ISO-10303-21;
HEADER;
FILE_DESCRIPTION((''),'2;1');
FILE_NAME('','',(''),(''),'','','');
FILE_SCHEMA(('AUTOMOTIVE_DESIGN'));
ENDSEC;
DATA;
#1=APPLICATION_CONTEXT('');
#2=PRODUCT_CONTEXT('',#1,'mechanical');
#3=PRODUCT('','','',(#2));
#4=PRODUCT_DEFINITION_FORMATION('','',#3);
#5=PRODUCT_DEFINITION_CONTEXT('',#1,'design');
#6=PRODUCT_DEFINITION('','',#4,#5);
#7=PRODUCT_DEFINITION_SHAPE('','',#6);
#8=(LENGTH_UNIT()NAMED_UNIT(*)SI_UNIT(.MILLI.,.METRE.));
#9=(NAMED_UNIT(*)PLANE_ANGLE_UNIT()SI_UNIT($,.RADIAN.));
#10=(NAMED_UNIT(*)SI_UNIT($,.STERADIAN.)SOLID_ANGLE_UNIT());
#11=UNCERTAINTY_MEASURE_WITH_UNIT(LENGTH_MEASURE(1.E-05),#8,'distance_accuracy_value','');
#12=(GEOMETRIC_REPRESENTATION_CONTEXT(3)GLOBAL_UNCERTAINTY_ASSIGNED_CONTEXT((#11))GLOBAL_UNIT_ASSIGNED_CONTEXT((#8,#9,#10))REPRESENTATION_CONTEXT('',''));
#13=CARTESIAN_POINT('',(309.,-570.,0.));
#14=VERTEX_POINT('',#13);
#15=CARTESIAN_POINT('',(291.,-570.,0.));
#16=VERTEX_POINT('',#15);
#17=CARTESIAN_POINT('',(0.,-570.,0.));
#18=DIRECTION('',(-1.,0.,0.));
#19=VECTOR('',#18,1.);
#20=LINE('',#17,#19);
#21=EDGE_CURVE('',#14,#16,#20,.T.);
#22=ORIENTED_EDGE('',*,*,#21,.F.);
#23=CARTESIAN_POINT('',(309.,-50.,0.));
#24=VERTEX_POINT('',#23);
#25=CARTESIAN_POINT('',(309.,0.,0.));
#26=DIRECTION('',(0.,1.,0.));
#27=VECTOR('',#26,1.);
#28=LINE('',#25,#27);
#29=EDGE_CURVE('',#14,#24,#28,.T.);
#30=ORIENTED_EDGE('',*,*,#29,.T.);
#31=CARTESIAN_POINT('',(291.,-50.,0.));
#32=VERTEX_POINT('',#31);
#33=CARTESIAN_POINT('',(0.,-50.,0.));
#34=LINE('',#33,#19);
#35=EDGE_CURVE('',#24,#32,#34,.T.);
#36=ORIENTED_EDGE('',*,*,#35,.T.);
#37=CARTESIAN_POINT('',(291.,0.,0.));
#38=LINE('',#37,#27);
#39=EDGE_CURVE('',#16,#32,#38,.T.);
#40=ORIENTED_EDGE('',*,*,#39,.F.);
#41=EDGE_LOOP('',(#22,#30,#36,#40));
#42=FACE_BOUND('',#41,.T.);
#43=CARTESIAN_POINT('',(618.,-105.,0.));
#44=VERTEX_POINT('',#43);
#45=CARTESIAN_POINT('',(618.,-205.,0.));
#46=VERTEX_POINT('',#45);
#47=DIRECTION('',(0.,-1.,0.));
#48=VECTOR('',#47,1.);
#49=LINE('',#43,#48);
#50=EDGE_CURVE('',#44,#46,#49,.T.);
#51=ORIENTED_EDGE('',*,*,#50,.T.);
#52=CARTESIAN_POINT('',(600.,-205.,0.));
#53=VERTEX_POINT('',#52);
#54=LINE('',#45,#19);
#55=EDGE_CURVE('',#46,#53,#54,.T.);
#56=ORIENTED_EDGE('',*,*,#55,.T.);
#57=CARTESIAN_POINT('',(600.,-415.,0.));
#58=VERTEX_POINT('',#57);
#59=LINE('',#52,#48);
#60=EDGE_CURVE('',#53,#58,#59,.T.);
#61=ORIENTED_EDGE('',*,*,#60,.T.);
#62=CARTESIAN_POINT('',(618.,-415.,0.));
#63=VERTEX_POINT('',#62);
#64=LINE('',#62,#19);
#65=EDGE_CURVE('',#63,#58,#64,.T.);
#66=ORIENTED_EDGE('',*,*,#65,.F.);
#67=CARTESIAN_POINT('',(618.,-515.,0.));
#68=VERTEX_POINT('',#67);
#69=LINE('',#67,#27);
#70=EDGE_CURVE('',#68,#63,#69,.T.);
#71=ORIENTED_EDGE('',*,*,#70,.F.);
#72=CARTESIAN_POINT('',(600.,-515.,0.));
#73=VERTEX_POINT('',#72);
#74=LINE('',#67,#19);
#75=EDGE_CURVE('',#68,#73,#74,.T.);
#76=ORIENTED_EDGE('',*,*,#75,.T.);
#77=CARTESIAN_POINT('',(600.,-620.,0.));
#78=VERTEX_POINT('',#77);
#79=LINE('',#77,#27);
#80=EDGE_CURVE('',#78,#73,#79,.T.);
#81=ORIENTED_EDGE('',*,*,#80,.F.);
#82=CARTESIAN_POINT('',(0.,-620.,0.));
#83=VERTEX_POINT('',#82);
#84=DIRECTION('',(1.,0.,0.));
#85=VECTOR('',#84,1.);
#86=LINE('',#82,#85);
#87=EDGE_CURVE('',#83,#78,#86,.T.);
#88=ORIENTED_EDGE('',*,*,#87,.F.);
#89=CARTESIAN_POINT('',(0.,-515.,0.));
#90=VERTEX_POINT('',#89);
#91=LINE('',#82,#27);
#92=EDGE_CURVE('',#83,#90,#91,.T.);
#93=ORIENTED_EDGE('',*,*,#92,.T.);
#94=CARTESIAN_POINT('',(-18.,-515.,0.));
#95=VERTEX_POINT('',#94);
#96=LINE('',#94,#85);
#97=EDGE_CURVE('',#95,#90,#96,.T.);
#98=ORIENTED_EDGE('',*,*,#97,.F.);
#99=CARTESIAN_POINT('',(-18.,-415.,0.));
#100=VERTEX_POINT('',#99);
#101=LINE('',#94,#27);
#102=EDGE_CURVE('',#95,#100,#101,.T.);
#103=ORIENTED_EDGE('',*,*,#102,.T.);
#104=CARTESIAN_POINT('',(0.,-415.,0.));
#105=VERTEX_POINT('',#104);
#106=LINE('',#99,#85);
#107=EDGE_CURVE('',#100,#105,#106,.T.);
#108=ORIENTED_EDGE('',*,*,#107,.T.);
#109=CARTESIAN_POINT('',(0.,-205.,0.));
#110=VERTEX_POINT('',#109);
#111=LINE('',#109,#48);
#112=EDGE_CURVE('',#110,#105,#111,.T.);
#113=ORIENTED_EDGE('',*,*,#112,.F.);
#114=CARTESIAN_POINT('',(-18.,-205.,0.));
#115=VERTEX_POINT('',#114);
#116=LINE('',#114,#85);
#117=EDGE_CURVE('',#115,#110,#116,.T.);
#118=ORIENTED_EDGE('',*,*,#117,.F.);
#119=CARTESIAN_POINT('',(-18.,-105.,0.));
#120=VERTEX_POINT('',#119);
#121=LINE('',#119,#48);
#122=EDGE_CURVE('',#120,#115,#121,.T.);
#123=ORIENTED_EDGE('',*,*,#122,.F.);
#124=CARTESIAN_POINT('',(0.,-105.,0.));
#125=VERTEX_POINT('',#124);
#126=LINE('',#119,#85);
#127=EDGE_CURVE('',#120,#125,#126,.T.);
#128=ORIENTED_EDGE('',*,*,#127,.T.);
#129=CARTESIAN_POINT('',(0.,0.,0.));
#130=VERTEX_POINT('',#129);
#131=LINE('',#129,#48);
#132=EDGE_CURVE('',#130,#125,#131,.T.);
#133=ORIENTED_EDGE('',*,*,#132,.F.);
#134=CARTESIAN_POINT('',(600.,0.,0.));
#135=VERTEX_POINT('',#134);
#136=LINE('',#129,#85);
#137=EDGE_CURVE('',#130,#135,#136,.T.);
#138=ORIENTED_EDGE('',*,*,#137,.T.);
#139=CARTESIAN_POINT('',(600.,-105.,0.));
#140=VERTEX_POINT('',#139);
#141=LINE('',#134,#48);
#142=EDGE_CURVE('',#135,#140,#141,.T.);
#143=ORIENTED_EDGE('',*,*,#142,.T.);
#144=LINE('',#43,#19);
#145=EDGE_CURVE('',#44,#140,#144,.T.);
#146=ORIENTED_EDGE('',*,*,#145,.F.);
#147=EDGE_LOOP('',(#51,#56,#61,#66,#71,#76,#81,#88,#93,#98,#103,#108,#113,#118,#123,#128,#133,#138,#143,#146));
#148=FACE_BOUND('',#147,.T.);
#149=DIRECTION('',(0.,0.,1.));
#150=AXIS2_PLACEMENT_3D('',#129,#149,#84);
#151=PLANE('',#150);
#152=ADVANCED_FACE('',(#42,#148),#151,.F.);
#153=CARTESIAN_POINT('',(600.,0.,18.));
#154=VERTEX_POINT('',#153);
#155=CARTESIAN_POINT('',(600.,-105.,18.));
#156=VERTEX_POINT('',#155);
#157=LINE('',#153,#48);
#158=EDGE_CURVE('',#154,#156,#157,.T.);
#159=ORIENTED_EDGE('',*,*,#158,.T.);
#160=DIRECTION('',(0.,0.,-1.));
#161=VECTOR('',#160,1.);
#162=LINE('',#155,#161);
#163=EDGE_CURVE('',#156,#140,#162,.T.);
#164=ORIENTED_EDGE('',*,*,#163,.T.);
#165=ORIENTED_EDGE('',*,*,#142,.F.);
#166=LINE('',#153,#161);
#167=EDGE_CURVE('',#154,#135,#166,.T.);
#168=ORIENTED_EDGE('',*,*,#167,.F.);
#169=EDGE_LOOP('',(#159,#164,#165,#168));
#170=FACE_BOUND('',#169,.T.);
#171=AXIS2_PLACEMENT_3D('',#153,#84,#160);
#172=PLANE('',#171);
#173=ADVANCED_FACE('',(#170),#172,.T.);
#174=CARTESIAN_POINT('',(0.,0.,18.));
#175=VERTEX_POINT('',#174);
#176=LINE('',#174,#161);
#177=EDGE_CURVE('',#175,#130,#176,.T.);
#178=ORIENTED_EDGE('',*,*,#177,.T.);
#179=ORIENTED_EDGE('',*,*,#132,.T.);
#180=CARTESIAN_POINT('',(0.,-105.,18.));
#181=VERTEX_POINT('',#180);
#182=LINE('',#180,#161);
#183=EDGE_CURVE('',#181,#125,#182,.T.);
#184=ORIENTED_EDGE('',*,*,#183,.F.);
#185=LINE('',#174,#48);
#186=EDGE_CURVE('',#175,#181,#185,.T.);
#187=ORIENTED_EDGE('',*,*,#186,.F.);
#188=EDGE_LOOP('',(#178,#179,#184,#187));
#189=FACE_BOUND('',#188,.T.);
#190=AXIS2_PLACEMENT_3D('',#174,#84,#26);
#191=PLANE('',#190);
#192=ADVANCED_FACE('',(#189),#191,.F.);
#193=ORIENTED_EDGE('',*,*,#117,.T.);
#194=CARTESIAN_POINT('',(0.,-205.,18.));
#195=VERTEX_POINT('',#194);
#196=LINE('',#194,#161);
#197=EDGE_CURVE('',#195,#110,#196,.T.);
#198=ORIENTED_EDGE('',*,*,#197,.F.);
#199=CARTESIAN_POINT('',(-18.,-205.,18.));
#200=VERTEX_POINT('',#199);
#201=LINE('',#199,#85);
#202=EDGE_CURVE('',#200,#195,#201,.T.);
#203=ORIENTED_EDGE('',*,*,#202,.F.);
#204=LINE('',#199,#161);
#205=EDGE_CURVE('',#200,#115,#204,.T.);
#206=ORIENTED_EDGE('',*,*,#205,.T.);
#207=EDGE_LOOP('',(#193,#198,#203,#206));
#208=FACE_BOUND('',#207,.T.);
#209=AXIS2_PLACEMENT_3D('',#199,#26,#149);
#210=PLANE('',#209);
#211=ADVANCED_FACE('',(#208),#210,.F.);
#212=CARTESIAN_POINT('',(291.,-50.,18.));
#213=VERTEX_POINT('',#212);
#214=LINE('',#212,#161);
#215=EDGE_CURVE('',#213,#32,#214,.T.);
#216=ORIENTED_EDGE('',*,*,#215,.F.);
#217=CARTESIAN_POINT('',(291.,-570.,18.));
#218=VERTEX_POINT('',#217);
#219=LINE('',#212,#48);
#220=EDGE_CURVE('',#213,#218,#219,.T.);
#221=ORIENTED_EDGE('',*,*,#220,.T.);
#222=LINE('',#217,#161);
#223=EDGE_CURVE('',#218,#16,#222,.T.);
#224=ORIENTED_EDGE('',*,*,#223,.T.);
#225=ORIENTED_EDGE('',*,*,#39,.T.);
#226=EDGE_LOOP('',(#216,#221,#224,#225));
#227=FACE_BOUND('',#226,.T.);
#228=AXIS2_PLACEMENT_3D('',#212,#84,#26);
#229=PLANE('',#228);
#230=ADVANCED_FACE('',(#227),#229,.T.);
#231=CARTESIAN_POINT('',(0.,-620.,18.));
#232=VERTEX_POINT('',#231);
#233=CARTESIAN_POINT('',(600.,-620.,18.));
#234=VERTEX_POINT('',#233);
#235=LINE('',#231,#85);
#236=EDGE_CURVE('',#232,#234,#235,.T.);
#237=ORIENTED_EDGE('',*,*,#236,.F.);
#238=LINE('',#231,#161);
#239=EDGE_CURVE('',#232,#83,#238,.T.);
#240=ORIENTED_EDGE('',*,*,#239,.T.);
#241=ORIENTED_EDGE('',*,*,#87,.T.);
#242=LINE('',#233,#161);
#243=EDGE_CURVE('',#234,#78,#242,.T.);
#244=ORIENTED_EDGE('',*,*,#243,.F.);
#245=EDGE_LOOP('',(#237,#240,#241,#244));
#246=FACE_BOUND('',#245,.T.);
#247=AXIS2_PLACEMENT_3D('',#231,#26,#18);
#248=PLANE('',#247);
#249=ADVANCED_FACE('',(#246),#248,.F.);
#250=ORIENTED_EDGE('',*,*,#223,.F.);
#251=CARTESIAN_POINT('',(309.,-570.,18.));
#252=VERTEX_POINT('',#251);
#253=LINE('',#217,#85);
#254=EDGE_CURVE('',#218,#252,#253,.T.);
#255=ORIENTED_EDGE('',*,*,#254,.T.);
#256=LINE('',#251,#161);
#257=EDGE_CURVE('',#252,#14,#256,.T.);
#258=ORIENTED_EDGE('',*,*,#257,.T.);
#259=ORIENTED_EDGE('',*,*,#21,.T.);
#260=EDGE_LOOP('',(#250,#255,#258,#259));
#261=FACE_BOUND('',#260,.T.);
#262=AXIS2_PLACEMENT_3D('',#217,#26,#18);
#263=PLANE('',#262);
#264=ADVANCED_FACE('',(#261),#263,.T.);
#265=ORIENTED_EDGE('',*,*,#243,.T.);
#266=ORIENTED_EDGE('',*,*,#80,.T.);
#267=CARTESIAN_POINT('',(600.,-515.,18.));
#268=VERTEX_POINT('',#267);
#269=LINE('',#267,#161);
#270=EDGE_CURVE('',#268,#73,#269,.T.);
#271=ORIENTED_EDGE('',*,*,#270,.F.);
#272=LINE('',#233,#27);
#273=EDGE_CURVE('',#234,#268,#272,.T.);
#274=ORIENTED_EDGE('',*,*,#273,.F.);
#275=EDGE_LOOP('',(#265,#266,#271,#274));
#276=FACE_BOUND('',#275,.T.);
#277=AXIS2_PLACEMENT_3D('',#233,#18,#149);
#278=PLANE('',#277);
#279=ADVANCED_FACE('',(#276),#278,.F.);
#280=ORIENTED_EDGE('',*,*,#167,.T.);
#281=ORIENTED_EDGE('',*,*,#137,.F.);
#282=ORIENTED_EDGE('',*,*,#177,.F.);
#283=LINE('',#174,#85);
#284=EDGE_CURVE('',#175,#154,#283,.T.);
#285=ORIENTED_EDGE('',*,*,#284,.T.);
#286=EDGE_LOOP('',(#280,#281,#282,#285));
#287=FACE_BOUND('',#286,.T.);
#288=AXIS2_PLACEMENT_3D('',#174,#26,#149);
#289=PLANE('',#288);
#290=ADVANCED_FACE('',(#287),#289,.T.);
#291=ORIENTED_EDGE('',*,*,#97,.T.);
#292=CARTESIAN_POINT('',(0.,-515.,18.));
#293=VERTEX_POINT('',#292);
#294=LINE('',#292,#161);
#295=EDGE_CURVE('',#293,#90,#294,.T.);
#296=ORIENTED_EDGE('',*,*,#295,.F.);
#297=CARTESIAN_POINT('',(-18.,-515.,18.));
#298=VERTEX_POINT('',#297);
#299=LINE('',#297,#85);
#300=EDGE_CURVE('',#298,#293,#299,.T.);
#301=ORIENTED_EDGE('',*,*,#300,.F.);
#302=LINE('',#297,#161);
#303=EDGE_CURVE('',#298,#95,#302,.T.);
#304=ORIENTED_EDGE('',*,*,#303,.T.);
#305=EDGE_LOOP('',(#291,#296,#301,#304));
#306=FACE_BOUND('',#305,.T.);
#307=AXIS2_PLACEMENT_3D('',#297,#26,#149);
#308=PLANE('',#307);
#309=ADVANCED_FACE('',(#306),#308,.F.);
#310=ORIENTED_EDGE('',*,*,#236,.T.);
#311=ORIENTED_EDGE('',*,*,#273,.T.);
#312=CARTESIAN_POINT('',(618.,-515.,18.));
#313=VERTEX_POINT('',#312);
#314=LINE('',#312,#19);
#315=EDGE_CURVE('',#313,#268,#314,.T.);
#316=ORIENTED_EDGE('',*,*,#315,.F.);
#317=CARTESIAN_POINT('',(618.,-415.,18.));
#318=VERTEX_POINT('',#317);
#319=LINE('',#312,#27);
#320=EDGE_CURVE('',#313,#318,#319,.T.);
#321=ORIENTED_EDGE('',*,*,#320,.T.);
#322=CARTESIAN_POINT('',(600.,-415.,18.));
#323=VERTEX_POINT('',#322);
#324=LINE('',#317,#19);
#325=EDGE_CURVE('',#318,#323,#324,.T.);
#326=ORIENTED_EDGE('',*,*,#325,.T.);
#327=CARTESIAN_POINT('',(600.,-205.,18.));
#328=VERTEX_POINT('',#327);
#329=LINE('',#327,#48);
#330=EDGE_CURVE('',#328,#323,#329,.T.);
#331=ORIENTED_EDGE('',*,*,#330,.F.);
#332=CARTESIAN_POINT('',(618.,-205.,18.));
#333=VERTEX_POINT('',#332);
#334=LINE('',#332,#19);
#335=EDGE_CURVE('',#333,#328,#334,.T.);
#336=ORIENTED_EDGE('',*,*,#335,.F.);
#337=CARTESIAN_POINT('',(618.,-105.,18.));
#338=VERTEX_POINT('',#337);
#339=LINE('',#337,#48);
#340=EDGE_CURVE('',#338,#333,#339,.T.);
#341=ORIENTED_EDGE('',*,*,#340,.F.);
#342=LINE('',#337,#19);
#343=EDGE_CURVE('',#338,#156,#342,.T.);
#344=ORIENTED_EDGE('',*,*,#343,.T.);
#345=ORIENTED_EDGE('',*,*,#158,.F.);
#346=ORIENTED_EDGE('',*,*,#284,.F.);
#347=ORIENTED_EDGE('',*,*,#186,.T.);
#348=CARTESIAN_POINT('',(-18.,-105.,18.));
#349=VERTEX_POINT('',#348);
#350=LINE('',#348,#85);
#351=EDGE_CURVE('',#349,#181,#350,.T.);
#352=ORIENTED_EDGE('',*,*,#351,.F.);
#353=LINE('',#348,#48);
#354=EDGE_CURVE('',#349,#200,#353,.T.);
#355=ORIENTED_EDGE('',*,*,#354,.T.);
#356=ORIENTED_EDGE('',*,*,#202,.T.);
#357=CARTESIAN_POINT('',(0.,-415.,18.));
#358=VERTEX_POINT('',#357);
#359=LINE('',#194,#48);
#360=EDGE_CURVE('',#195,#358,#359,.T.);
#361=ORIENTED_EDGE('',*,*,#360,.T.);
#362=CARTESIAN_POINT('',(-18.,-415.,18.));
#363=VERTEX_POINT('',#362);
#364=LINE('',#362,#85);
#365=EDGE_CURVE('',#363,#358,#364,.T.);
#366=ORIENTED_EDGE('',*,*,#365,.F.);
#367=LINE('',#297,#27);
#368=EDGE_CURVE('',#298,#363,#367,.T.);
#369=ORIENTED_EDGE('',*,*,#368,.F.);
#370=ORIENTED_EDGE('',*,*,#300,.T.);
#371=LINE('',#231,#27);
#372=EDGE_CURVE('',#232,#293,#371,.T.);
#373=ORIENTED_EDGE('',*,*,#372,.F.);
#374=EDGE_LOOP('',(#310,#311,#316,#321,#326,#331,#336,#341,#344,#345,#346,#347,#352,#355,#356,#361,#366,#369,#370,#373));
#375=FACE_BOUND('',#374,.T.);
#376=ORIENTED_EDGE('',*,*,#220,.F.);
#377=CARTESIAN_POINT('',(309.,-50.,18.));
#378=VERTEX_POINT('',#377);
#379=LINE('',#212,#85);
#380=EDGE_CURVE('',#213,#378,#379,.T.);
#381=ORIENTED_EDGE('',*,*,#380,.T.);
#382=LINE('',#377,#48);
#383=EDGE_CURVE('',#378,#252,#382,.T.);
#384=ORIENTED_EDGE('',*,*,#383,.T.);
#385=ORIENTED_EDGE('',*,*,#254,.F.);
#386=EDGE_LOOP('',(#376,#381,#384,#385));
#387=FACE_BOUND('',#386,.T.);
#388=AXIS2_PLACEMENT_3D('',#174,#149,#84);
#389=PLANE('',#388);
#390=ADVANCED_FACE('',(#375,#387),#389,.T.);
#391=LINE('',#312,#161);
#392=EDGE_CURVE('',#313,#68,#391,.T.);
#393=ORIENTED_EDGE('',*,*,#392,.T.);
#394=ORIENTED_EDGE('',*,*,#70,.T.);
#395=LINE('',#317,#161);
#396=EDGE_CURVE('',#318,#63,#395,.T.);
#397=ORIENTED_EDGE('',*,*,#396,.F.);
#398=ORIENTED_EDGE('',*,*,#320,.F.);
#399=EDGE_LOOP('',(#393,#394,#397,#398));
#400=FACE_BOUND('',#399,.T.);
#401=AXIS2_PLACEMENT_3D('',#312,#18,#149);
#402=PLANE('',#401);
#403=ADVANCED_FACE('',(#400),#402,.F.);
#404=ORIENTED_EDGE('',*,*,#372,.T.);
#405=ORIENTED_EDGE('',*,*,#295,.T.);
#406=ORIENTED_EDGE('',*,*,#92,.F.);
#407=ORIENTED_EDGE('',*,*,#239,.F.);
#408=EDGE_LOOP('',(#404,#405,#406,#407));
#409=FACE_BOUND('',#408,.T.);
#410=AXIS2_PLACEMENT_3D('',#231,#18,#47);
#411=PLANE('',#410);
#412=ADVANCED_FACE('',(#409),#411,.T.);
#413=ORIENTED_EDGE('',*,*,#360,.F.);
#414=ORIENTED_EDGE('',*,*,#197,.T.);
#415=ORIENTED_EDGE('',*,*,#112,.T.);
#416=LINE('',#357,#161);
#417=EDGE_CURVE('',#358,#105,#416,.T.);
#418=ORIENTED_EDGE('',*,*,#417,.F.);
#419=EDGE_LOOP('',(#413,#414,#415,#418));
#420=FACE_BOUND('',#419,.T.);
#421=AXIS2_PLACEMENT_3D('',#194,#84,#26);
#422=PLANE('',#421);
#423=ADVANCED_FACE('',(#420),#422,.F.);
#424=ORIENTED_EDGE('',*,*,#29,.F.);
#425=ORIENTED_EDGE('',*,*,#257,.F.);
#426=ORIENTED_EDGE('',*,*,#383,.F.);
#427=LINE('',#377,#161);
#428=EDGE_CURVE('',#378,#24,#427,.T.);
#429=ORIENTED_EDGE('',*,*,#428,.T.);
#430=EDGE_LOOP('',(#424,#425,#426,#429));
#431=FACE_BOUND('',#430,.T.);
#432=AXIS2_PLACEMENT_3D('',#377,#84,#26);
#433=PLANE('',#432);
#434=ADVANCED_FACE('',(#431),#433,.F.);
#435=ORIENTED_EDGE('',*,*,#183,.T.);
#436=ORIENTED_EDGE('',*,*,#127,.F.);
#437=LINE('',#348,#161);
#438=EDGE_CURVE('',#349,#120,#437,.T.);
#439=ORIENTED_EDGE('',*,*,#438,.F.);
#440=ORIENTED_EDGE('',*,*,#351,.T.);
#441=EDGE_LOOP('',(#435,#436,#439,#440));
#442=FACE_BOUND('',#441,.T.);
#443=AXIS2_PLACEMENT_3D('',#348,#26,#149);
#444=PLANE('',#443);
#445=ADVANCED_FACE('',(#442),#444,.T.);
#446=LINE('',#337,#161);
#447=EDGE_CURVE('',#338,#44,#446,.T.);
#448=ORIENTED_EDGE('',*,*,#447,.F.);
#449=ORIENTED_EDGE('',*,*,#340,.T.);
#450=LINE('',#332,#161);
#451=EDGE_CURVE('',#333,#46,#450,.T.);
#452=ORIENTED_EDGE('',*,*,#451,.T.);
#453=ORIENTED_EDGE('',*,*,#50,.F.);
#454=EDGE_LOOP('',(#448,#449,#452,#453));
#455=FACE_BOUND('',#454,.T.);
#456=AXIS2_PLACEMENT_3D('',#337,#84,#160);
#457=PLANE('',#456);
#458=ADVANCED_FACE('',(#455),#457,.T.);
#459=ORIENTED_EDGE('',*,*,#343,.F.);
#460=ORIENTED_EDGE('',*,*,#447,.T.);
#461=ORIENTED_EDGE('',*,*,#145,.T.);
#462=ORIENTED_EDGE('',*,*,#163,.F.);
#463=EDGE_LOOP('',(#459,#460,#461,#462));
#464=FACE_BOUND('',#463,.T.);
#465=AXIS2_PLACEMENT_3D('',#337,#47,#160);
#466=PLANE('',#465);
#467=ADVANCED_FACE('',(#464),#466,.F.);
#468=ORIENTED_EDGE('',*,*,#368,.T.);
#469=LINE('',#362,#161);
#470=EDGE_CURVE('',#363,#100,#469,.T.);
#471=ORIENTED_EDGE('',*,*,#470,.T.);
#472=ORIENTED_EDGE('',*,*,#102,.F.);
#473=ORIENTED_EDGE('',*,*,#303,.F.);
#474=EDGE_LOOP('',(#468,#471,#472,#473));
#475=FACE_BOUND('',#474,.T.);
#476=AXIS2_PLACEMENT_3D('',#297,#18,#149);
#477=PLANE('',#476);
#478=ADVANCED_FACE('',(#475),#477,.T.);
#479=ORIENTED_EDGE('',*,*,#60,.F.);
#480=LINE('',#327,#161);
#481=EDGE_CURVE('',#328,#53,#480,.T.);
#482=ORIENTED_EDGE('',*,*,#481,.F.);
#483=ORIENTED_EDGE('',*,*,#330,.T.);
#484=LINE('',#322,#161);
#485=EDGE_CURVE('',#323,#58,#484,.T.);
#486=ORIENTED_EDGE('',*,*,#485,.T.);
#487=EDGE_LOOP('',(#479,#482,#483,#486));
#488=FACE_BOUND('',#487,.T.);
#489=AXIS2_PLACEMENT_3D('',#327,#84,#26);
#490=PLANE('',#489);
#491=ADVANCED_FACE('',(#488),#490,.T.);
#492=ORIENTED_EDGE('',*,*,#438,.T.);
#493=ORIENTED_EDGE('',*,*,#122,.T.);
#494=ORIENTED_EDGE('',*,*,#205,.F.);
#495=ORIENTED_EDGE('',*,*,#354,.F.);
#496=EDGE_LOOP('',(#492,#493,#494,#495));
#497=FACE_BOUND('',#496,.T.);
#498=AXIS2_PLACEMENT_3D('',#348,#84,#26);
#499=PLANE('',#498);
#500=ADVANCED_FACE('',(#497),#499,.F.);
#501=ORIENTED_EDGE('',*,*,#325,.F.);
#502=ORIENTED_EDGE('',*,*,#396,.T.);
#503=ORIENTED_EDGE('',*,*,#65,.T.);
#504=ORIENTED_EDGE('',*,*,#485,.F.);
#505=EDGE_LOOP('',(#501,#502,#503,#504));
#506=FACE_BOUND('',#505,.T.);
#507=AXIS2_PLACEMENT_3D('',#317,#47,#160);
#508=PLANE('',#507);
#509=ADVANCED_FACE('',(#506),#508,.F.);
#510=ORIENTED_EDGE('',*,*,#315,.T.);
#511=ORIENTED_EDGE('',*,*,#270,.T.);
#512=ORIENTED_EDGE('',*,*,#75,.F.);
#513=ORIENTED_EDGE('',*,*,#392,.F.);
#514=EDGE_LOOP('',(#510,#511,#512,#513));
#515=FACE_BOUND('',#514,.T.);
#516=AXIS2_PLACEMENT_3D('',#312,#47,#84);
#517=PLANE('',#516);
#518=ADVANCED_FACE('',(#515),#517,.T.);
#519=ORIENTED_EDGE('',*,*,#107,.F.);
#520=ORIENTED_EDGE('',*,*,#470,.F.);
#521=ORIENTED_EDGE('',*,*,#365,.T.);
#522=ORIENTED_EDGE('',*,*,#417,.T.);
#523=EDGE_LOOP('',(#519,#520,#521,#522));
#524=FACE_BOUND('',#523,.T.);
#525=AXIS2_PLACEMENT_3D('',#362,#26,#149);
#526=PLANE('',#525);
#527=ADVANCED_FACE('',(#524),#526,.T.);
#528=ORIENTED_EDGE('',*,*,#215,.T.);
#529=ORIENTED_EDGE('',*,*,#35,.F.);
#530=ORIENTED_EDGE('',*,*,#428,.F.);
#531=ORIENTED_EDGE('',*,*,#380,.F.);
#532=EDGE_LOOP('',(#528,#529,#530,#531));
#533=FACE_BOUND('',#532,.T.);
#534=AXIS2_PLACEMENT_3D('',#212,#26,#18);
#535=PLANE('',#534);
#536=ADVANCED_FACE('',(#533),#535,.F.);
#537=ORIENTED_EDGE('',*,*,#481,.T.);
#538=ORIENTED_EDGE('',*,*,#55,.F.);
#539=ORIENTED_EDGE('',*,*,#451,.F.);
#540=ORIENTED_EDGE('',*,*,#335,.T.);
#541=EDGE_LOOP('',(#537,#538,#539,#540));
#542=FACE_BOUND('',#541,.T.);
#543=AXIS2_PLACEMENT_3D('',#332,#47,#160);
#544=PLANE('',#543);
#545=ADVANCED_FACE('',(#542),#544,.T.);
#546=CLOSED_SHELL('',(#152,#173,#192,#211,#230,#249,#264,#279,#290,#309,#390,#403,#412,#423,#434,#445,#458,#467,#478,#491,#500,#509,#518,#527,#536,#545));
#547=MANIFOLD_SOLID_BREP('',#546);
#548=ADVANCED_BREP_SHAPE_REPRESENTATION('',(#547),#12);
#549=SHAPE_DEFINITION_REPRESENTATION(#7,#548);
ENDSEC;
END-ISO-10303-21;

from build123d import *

# Parameters (mm, degrees)
BOSS_EXTRUDE3_DEPTH     = 18
CUT_EXTRUDE1_DEPTH      = 876.584376288
CUT_EXTRUDE1_DEPTH_BACK = 876.584376288
SKETCH2_W               = 18
SKETCH2_H               = 520


with BuildPart() as part:
    # Sketch1 → Boss-Extrude3 (new body)
    with BuildSketch(Plane.XY):
        Polygon((0, 0), (0, -105), (-18, -105), (-18, -205), (0, -205), (0, -415), (-18, -415), (-18, -515), (0, -515), (0, -620), (600, -620), (600, -515), (618, -515), (618, -415), (600, -415), (600, -205), (618, -205), (618, -105), (600, -105), (600, 0), align=None)
    extrude(amount=BOSS_EXTRUDE3_DEPTH)

    # Sketch2 → Cut-Extrude1 (cut, two sides: drawn at the far end of the back side and taken through both)
    with BuildSketch(Plane(origin=(0, 0, 0), x_dir=(-1, 0, 0), z_dir=(0, 0, -1)).offset(-CUT_EXTRUDE1_DEPTH_BACK)):
        with Locations((-300, -310)):
            Rectangle(SKETCH2_W, SKETCH2_H)
    extrude(amount=CUT_EXTRUDE1_DEPTH + CUT_EXTRUDE1_DEPTH_BACK, mode=Mode.SUBTRACT)


solid = part.part
